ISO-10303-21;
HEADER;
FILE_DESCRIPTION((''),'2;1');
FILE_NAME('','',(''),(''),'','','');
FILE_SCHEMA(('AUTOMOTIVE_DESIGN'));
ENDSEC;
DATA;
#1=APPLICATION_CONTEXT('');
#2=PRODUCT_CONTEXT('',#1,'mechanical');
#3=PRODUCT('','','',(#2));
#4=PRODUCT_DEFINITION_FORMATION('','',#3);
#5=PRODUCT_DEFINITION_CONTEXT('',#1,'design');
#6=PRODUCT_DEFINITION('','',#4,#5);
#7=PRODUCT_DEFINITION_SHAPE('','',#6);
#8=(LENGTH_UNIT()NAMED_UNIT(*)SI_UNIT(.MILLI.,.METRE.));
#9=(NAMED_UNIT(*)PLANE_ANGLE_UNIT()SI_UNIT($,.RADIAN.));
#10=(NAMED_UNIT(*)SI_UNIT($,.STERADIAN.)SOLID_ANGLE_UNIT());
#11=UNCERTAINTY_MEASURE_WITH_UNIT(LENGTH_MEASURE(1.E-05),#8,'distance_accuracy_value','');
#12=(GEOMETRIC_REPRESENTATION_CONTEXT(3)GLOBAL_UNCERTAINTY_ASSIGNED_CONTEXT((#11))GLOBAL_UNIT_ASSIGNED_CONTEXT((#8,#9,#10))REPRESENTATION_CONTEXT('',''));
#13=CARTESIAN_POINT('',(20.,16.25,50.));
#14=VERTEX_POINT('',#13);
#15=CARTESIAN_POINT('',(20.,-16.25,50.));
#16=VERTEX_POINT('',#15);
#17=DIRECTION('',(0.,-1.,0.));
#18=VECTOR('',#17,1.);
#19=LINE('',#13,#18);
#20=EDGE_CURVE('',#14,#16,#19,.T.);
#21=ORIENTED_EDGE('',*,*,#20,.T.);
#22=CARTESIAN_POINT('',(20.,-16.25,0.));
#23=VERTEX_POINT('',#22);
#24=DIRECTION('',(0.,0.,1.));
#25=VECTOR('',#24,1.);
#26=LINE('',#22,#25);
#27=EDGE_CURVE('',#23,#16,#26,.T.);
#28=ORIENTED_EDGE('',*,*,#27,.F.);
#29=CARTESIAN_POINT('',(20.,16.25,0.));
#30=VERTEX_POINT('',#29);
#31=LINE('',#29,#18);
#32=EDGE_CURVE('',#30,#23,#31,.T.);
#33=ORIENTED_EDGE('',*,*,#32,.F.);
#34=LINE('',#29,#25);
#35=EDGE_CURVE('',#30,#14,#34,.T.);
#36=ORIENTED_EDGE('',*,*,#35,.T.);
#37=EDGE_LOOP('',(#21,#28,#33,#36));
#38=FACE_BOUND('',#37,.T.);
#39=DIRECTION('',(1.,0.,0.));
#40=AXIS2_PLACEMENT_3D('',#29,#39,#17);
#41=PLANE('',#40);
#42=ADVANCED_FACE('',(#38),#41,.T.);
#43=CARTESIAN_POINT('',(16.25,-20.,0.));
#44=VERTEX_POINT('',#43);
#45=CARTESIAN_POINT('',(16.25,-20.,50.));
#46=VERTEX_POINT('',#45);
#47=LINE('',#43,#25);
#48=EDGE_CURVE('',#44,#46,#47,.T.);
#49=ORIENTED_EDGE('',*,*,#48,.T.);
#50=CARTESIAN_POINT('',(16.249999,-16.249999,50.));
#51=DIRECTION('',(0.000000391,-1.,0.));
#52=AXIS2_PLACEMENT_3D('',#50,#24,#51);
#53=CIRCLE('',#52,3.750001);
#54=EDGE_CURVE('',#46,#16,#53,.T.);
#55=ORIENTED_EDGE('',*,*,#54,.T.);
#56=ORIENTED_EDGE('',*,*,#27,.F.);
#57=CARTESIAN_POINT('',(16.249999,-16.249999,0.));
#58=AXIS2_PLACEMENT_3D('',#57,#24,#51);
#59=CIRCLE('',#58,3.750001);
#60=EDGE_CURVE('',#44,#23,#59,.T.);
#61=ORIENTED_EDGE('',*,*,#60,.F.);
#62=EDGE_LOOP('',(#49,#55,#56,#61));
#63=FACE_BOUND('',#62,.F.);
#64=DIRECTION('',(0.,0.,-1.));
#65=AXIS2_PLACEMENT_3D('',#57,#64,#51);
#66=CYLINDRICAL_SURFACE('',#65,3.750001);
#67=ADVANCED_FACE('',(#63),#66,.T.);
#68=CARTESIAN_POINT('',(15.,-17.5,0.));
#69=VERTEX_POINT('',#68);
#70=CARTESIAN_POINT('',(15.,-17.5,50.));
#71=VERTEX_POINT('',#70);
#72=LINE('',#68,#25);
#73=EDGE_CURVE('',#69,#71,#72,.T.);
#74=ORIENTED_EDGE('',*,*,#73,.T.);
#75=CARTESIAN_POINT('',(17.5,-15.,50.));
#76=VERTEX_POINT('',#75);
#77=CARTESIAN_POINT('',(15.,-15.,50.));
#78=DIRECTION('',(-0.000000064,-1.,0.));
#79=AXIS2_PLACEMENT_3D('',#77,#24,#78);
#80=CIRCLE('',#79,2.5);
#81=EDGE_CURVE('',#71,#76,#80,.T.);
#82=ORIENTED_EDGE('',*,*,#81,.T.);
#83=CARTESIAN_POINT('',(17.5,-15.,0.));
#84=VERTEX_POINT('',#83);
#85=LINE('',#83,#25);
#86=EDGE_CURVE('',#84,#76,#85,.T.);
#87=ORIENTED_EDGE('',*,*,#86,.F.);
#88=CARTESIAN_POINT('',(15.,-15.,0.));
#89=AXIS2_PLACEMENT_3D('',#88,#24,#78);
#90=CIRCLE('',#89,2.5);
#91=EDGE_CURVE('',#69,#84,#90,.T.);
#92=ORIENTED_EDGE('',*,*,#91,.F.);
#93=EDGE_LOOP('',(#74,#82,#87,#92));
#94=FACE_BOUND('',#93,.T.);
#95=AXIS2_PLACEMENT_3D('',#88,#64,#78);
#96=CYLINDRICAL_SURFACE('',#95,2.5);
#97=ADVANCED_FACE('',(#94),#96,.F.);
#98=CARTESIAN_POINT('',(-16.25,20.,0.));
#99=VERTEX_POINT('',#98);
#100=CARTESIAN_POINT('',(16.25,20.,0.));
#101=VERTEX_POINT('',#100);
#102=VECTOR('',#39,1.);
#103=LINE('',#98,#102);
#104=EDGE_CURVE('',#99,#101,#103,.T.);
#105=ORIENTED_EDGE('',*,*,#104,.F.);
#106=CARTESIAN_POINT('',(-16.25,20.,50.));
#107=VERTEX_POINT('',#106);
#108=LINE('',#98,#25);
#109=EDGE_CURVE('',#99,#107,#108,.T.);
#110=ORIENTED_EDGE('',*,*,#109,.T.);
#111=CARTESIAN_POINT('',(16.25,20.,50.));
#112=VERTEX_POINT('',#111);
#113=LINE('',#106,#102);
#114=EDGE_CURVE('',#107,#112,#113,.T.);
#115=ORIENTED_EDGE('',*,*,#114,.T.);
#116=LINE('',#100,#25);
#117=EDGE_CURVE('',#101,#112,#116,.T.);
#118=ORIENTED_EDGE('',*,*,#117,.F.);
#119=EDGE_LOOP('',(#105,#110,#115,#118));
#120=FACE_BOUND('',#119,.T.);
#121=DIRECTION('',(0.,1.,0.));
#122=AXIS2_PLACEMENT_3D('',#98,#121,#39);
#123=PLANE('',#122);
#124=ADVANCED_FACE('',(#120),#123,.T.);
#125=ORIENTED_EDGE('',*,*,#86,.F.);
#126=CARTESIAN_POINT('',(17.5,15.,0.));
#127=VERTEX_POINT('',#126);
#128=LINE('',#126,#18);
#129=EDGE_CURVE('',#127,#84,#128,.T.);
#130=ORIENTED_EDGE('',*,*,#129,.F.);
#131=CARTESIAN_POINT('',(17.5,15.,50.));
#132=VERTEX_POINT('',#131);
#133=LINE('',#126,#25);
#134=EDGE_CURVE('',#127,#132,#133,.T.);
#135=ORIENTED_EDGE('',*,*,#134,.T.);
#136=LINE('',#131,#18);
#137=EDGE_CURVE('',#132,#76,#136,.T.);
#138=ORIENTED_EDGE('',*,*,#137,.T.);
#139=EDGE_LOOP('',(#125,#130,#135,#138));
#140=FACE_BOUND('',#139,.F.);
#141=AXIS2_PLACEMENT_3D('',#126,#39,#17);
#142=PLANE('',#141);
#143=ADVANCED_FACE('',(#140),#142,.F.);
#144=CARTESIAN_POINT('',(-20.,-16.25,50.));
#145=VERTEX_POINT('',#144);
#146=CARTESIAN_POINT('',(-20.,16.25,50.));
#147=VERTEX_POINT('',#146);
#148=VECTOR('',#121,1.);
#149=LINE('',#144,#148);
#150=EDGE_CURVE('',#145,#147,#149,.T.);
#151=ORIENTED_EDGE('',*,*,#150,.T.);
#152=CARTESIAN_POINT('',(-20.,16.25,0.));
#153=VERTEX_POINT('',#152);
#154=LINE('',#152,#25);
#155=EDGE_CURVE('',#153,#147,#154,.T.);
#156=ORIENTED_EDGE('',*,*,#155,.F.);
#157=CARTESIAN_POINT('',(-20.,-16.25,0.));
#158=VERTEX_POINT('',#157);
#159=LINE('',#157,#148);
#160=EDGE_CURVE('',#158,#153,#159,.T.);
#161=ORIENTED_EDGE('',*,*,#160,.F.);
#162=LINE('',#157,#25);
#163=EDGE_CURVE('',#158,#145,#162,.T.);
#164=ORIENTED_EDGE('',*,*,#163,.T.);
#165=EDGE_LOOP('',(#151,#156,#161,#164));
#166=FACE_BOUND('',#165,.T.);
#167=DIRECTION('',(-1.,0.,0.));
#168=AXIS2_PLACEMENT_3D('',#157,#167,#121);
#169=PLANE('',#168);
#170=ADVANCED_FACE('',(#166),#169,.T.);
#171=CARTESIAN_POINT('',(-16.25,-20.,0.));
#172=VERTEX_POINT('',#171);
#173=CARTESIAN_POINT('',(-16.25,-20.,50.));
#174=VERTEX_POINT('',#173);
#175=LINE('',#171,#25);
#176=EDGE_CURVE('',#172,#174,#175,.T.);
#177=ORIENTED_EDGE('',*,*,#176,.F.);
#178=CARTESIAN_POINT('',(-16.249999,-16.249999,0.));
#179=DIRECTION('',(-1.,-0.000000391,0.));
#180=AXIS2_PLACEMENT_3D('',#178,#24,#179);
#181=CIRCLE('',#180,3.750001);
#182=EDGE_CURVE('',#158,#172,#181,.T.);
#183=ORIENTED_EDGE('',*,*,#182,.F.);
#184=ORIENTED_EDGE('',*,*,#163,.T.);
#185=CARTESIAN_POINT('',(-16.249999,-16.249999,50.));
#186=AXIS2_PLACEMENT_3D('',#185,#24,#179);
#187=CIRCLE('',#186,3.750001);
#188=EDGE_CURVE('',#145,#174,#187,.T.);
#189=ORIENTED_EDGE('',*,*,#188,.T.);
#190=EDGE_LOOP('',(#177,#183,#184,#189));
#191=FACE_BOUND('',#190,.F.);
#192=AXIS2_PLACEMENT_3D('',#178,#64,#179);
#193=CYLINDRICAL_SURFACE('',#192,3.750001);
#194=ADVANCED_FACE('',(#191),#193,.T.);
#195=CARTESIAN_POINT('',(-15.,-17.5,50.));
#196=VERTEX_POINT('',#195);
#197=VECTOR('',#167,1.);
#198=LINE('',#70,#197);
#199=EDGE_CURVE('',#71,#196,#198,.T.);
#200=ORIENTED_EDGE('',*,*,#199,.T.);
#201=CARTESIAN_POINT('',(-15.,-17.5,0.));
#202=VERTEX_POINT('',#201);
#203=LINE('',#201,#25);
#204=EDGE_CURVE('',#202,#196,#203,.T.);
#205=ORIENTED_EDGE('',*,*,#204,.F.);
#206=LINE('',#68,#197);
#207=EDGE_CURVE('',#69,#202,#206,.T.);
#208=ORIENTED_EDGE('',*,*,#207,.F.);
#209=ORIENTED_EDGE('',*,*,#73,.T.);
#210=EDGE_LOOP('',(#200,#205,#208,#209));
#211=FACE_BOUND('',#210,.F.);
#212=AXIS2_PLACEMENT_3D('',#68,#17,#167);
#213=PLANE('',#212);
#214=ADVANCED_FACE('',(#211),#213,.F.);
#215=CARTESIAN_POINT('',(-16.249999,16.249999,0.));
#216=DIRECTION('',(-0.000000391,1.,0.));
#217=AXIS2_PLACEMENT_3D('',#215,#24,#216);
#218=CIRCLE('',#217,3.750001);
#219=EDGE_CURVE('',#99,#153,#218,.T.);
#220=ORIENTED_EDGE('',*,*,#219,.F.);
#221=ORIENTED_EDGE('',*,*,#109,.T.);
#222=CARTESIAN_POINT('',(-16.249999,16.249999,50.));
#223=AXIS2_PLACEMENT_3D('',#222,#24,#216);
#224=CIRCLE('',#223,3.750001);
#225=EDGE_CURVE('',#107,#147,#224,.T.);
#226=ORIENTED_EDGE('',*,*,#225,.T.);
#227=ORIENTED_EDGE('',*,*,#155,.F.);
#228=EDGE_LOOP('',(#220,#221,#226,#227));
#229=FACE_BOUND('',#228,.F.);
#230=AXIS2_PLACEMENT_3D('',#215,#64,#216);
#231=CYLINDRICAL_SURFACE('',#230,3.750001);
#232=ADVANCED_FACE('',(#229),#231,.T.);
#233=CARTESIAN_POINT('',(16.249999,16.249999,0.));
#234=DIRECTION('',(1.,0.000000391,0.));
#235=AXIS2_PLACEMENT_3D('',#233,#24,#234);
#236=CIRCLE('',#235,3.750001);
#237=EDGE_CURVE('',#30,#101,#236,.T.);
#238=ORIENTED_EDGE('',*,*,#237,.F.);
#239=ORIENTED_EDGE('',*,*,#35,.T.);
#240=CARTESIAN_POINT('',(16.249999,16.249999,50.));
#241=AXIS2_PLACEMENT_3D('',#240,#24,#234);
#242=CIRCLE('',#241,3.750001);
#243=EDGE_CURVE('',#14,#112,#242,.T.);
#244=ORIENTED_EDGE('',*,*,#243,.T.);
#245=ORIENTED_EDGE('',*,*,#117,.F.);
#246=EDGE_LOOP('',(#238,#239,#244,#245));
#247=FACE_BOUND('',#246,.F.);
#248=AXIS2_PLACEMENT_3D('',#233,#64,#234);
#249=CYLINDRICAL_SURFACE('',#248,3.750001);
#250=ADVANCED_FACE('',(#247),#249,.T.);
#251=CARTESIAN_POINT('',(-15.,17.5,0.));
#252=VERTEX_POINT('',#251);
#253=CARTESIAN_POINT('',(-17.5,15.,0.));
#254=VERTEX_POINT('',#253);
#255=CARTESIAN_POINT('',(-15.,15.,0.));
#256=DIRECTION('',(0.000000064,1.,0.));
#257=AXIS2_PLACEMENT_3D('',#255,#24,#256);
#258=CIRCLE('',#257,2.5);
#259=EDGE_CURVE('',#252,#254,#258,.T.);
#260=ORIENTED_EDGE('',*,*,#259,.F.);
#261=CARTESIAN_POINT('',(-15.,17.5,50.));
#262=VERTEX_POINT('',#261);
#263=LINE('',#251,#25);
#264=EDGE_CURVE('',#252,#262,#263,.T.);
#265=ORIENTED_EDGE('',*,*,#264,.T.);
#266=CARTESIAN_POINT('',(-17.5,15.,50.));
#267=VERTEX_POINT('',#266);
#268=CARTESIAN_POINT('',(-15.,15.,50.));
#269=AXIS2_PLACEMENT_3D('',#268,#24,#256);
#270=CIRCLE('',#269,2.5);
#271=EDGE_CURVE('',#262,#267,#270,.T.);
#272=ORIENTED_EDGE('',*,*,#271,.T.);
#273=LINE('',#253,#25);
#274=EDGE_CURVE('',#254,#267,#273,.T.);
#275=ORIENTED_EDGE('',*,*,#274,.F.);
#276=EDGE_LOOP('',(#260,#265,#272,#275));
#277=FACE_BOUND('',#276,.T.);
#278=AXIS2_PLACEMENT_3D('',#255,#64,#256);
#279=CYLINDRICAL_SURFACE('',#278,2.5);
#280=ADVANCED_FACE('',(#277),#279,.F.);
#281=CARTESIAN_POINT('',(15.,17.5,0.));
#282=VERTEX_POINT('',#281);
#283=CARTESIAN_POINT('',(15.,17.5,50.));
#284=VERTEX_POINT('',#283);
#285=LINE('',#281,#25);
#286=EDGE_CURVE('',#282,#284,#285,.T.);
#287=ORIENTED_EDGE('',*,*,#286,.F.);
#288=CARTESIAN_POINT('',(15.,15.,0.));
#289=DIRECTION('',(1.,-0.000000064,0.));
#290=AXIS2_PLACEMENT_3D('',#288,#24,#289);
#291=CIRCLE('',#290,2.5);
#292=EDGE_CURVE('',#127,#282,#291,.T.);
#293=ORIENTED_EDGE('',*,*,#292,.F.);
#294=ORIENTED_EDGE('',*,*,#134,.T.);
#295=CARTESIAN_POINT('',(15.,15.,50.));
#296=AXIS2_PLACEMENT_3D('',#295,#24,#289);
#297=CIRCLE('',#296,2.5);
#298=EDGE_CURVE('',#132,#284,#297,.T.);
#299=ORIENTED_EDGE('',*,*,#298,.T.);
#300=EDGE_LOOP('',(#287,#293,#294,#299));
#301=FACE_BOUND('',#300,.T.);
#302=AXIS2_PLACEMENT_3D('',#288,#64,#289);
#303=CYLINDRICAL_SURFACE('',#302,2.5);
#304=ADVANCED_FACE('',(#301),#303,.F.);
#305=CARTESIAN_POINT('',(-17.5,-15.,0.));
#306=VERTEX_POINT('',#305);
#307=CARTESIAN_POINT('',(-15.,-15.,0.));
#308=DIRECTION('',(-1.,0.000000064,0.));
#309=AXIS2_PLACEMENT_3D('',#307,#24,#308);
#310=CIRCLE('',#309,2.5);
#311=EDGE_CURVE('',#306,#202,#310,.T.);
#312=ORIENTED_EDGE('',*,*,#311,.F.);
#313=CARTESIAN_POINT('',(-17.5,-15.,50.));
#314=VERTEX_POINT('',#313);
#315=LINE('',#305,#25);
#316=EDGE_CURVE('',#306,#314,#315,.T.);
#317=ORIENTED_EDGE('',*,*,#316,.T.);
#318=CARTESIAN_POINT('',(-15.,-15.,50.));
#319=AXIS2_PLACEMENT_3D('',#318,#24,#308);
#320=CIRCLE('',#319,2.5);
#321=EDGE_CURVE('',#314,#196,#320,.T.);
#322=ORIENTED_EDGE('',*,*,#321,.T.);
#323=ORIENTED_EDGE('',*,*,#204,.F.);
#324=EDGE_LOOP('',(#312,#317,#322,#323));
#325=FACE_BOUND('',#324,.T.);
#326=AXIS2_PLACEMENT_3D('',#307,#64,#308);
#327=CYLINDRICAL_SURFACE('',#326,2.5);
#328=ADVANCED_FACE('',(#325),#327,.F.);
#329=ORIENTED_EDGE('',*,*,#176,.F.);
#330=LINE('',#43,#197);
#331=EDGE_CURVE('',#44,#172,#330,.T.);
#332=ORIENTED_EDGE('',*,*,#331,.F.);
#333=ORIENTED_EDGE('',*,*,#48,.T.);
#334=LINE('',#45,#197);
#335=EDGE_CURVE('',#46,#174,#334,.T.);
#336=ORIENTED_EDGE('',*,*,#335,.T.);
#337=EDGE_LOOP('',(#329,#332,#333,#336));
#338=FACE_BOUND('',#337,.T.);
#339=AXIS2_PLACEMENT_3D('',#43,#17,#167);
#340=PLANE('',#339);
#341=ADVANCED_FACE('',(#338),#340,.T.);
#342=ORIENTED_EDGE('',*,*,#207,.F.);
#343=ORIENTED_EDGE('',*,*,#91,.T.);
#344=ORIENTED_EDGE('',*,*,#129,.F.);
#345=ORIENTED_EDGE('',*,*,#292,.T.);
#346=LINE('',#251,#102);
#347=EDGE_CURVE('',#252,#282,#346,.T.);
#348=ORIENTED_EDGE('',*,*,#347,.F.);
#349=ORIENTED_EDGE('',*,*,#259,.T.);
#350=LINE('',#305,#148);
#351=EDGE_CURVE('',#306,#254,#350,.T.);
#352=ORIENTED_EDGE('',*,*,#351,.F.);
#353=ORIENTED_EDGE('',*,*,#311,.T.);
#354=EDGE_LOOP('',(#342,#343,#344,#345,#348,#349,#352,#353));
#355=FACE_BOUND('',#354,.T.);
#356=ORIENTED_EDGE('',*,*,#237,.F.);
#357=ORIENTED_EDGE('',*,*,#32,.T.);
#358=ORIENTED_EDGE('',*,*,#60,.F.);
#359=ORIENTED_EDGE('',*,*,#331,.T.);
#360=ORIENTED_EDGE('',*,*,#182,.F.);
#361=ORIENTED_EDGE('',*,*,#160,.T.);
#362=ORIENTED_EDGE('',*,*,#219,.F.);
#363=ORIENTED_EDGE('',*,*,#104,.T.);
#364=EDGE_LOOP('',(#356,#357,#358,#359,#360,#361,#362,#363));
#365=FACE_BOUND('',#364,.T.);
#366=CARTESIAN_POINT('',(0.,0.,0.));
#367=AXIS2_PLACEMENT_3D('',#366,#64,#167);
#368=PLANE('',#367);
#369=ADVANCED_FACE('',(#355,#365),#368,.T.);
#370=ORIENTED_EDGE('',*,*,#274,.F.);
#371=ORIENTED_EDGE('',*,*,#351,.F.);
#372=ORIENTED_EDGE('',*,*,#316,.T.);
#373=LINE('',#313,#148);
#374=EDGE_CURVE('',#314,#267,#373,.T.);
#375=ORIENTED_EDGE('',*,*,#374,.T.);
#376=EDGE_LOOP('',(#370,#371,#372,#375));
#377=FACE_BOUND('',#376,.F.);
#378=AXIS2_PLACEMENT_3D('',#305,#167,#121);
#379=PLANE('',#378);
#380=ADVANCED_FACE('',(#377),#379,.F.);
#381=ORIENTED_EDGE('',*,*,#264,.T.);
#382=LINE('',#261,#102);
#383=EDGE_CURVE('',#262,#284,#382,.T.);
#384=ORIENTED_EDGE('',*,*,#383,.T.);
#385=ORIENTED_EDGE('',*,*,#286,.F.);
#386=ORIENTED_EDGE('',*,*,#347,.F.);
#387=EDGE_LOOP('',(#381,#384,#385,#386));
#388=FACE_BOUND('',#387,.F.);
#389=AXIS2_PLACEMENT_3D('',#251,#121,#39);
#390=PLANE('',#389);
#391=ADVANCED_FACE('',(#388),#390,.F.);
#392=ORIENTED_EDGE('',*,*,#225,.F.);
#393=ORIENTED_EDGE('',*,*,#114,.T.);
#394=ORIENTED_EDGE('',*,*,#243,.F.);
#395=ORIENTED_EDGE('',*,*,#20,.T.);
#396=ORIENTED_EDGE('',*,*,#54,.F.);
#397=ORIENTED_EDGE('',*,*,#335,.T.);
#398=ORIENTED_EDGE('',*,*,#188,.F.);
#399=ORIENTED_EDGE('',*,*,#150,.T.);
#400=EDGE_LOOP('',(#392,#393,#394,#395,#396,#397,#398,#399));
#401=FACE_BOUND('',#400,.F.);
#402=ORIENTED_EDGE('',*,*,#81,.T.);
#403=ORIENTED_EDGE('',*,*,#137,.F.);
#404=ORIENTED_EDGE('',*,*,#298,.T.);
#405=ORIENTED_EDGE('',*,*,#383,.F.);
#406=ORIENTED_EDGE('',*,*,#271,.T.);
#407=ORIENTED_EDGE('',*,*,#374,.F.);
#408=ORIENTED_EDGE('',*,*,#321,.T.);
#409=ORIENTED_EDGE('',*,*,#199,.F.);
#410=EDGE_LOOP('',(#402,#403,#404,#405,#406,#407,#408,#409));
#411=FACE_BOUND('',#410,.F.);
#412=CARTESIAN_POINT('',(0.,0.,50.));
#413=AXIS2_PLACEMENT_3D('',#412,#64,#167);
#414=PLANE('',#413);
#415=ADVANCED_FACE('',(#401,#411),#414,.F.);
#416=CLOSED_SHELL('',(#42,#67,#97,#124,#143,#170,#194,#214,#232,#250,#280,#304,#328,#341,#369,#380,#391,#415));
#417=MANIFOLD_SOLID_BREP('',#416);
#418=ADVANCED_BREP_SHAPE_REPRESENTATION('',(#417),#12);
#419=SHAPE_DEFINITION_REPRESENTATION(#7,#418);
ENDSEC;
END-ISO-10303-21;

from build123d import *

# Parameters (mm, degrees)
EXTRUDE_DEPTH = 50


with BuildPart() as part:
    # Sketch → Extrude (new body)
    with BuildSketch(Plane.XY):
        with BuildLine():
            Line((-16.25, 20), (16.25, 20))
            ThreePointArc((20, 16.25), (18.90165, 18.90165), (16.25, 20))
            Line((20, 16.25), (20, -16.25))
            ThreePointArc((16.25, -20), (18.90165, -18.90165), (20, -16.25))
            Line((16.25, -20), (-16.25, -20))
            ThreePointArc((-20, -16.25), (-18.90165, -18.90165), (-16.25, -20))
            Line((-20, -16.25), (-20, 16.25))
            ThreePointArc((-16.25, 20), (-18.90165, 18.90165), (-20, 16.25))
        make_face()
        with BuildLine():
            Line((-15, 17.5), (15, 17.5))
            ThreePointArc((17.5, 15), (16.767767, 16.767767), (15, 17.5))
            Line((17.5, 15), (17.5, -15))
            ThreePointArc((15, -17.5), (16.767767, -16.767767), (17.5, -15))
            Line((15, -17.5), (-15, -17.5))
            ThreePointArc((-17.5, -15), (-16.767767, -16.767767), (-15, -17.5))
            Line((-17.5, -15), (-17.5, 15))
            ThreePointArc((-15, 17.5), (-16.767767, 16.767767), (-17.5, 15))
        make_face(mode=Mode.SUBTRACT)
    extrude(amount=EXTRUDE_DEPTH)


solid = part.part
